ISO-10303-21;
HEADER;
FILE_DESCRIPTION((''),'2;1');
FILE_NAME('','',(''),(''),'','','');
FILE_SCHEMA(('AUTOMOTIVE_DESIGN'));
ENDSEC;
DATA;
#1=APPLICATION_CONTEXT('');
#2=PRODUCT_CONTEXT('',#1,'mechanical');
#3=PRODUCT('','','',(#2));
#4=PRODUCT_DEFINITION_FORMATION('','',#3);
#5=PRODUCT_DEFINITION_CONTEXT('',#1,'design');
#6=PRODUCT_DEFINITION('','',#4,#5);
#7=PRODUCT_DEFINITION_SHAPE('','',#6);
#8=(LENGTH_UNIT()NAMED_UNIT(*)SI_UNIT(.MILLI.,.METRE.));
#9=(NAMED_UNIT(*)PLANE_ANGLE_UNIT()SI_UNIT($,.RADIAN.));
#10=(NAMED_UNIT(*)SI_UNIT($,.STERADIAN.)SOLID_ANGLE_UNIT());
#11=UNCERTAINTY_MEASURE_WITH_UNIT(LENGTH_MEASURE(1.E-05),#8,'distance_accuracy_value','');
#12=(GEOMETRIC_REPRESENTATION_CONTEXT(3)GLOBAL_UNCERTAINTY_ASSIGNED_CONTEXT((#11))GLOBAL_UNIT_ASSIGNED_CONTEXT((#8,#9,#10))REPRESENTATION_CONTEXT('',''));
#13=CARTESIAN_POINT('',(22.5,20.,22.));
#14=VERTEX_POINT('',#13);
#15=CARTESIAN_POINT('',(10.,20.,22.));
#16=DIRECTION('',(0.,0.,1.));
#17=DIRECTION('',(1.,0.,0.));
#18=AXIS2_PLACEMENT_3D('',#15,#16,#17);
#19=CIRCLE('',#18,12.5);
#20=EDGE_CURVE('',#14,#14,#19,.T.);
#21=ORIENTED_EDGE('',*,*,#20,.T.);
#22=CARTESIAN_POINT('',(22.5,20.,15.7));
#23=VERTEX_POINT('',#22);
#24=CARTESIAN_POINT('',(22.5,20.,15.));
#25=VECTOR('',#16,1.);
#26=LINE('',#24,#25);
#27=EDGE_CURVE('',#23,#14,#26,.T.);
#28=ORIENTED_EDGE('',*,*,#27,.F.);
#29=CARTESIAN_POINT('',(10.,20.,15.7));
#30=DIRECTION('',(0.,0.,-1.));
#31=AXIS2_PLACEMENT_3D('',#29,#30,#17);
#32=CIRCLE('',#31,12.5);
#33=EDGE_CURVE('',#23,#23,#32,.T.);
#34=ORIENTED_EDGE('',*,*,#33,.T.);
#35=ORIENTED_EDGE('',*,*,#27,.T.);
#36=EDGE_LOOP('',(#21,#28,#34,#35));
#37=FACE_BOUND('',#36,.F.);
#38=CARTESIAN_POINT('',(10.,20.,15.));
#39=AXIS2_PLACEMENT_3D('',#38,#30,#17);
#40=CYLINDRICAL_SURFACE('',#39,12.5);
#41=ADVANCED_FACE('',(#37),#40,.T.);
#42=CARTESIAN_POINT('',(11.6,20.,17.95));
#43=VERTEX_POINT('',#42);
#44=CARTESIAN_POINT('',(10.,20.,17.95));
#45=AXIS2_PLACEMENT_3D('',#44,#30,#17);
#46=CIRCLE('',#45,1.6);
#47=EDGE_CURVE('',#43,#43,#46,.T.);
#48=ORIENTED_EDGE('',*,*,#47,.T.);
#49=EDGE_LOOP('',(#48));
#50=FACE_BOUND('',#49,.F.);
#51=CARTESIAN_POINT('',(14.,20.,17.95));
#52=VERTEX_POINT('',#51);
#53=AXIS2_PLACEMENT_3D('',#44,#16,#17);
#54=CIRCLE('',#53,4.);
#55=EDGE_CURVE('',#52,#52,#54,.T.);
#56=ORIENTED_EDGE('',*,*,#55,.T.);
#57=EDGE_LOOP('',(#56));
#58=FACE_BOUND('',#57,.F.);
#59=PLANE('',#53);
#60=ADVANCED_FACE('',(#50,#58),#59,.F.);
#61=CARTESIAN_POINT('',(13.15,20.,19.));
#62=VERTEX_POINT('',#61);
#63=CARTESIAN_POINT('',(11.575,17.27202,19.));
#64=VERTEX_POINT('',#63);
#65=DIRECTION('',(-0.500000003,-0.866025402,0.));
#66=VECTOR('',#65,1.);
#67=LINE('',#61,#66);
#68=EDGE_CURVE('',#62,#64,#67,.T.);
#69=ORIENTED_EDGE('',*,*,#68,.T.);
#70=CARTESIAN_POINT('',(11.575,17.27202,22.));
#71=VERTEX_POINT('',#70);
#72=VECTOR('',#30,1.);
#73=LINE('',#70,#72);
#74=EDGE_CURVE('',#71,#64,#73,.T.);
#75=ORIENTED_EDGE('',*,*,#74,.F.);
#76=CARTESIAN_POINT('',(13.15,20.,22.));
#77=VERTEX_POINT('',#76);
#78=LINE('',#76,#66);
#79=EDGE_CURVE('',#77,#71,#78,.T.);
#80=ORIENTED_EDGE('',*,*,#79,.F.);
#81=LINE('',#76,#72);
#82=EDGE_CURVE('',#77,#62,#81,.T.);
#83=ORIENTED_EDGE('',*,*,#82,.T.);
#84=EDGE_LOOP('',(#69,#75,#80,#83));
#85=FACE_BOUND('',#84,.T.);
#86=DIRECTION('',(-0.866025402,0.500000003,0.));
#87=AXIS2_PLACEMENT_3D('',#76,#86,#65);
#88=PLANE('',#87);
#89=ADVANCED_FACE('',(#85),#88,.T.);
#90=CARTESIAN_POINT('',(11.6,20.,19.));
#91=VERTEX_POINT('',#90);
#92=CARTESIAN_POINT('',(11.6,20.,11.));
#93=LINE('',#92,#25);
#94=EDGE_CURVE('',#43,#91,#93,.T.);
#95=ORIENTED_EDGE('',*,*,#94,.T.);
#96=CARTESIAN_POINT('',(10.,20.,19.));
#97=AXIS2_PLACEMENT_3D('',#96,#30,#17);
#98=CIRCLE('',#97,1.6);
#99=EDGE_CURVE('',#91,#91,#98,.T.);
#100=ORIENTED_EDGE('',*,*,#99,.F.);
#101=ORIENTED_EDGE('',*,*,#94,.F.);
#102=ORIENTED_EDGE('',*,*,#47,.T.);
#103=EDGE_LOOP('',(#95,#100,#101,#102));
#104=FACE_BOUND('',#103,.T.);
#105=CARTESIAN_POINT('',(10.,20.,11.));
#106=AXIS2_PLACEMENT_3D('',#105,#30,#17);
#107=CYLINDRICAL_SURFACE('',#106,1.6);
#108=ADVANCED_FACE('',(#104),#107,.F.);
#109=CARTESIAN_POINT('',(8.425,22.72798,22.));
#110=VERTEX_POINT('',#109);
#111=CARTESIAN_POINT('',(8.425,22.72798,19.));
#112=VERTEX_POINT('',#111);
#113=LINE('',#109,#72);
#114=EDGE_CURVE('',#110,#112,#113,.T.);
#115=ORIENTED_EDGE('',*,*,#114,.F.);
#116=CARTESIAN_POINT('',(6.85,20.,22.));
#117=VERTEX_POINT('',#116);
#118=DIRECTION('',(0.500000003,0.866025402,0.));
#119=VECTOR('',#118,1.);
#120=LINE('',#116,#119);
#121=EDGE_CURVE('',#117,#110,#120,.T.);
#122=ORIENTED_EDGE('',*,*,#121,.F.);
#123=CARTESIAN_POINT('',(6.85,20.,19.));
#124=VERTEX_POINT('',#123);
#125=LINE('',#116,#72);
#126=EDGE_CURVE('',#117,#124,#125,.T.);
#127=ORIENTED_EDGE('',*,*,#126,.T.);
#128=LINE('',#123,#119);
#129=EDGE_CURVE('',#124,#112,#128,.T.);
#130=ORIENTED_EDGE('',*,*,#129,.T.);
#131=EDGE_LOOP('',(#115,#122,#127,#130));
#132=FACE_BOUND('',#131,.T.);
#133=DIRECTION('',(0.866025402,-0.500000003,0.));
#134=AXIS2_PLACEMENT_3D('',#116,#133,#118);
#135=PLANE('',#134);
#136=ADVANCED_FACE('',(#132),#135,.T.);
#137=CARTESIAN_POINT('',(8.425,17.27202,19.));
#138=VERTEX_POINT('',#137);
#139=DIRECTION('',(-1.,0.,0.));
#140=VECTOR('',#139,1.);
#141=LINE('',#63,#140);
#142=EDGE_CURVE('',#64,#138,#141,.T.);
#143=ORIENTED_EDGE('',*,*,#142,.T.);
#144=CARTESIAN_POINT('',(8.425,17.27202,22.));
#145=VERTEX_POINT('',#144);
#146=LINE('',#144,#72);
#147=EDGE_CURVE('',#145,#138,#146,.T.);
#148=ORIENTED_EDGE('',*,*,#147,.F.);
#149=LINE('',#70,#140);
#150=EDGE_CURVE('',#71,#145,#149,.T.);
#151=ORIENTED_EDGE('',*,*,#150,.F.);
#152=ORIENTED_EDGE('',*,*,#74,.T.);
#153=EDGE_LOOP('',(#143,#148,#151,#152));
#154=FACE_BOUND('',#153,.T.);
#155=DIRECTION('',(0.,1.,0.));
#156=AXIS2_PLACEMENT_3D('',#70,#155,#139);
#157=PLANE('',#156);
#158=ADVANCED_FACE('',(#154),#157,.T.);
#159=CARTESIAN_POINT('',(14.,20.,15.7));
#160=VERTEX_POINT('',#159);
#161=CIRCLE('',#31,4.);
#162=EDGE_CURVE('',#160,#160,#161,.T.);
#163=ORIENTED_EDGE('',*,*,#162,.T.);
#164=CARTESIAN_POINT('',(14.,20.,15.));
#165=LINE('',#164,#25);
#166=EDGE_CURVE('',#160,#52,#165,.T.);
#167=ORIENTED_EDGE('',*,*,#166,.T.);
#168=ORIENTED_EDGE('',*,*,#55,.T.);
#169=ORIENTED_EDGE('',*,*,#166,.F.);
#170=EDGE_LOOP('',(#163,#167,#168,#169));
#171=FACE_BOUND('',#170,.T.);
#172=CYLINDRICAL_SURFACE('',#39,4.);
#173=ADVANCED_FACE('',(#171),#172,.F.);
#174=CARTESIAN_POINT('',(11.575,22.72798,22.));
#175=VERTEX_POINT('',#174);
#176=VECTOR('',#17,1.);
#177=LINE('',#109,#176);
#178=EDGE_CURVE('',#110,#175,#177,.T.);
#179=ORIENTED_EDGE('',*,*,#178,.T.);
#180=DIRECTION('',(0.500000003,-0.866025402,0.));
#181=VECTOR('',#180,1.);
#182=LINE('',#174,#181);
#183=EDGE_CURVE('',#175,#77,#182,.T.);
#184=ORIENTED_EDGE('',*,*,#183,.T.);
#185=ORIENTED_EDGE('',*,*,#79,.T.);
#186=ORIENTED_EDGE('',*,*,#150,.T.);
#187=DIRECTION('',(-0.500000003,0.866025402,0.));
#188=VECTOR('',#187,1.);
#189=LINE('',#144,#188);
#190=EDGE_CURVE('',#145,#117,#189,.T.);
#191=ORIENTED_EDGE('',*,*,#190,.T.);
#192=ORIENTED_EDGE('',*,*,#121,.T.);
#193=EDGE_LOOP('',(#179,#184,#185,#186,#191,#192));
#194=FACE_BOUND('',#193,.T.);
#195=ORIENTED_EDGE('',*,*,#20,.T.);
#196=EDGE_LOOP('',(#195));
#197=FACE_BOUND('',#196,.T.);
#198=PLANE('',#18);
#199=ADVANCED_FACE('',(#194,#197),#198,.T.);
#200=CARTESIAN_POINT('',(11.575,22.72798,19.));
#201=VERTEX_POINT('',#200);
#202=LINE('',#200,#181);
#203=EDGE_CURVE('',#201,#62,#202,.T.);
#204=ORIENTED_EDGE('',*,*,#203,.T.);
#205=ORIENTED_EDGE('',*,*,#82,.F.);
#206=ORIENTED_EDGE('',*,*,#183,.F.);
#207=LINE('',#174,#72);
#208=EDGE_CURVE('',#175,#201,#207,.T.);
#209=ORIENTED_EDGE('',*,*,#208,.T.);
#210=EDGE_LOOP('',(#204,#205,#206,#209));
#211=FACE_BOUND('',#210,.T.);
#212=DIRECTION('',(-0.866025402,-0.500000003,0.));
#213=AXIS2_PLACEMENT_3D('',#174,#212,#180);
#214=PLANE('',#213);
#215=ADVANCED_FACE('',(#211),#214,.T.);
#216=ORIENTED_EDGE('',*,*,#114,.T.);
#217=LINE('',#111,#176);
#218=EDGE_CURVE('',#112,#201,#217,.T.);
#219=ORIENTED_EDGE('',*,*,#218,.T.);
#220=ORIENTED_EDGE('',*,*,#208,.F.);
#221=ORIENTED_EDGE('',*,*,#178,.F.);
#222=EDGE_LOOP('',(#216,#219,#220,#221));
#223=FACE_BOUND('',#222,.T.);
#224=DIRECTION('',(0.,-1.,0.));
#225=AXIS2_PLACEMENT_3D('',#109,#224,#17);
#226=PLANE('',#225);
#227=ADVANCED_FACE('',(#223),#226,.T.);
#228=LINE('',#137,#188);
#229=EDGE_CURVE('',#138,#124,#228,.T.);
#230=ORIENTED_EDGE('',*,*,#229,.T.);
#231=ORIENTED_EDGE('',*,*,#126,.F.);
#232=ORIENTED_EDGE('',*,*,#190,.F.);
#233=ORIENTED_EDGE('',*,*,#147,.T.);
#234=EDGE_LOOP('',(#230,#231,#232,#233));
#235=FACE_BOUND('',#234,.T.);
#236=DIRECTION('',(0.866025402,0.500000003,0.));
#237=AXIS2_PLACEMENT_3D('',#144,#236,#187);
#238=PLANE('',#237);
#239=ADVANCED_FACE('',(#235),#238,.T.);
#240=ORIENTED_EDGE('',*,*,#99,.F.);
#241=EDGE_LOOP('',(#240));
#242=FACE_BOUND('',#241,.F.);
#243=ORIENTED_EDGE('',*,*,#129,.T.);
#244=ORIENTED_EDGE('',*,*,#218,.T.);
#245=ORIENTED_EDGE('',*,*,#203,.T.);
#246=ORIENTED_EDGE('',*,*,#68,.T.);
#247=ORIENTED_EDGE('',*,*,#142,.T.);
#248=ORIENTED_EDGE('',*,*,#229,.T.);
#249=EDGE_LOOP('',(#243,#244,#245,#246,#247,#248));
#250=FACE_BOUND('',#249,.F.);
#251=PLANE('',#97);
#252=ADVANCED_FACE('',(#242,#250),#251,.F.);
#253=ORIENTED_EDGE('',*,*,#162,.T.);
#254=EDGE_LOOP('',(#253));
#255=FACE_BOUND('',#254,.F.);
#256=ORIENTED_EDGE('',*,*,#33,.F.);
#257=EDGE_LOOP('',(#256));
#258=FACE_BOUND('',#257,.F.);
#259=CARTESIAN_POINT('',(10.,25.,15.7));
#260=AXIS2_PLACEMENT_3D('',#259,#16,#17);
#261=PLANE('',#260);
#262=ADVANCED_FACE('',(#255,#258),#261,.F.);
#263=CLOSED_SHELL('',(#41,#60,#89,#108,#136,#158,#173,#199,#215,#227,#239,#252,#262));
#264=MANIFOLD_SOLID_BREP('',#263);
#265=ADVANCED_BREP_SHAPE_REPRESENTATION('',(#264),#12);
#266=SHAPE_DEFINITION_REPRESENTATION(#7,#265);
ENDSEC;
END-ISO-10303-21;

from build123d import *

# Parameters (mm, degrees)
BOX027_W          = 40
BOX027_H          = 50
BOX027_DEPTH      = 0.7
CYLINDER062_R     = 4
CYLINDER062_DEPTH = 2.75
CYLINDER019_R     = 1.6
CYLINDER019_DEPTH = 22.75
CYLINDER018_R     = 4
CYLINDER018_DEPTH = 2.75
PRISM003_DEPTH    = 3
CYLINDER017_R     = 12.5
CYLINDER017_DEPTH = 7


with BuildPart() as cube027:
    # Box027 → Box027 (new body)
    with BuildSketch(Plane(origin=(-10, 0, 15), x_dir=(1, 0, 0), z_dir=(0, 0, 1))):
        with Locations((20, 25)):
            Rectangle(BOX027_W, BOX027_H)
    extrude(amount=BOX027_DEPTH)


with BuildPart() as cylinder062:
    # Cylinder062 → Cylinder062 (new body)
    with BuildSketch(Plane(origin=(10, 20, 15.2), x_dir=(1, 0, 0), z_dir=(0, 0, 1))):
        Circle(CYLINDER062_R)
    extrude(amount=CYLINDER062_DEPTH)


with BuildPart() as cylinder018:
    # Cylinder019 → Cylinder019 (new body)
    with BuildSketch(Plane(origin=(10, 0, -31), x_dir=(1, 0, 0), z_dir=(0, 0, 1))):
        Circle(CYLINDER019_R)
    extrude(amount=CYLINDER019_DEPTH)


with BuildPart() as cylinder017:
    # Cylinder018 → Cylinder018 (new body)
    with BuildSketch(Plane(origin=(10, 0, -27), x_dir=(1, 0, 0), z_dir=(0, 0, 1))):
        Circle(CYLINDER018_R)
    extrude(amount=CYLINDER018_DEPTH)


with BuildPart() as prism003:
    # Prism003 → Prism003 (new body)
    with BuildSketch(Plane(origin=(10, 0, -20), x_dir=(1, 0, 0), z_dir=(0, 0, -1))):
        Polygon((3.15, 0), (1.575, 2.72798), (-1.575, 2.72798), (-3.15, 0), (-1.575, -2.72798), (1.575, -2.72798), align=None)
    extrude(amount=PRISM003_DEPTH)


with BuildPart() as plato_tornillo001:
    # Cylinder017 → Cylinder017 (new body)
    with BuildSketch(Plane(origin=(10, 0, -27), x_dir=(1, 0, 0), z_dir=(0, 0, 1))):
        Circle(CYLINDER017_R)
    extrude(amount=CYLINDER017_DEPTH)

    # Cut014: cut Prism003
    add(prism003.part, mode=Mode.SUBTRACT)

    # Cut015: cut Cylinder017
    add(cylinder017.part, mode=Mode.SUBTRACT)

    # Cut016: cut Cylinder018
    add(cylinder018.part, mode=Mode.SUBTRACT)


with BuildPart() as plato_tornillo001_1:
    # Cut016 placement: moved
    add(plato_tornillo001.part.moved(Location((0, 20, 42))))

    # Cut049: cut Cylinder062
    add(cylinder062.part, mode=Mode.SUBTRACT)

    # Cut050: cut Cube027
    add(cube027.part, mode=Mode.SUBTRACT)


solid = plato_tornillo001_1.part
